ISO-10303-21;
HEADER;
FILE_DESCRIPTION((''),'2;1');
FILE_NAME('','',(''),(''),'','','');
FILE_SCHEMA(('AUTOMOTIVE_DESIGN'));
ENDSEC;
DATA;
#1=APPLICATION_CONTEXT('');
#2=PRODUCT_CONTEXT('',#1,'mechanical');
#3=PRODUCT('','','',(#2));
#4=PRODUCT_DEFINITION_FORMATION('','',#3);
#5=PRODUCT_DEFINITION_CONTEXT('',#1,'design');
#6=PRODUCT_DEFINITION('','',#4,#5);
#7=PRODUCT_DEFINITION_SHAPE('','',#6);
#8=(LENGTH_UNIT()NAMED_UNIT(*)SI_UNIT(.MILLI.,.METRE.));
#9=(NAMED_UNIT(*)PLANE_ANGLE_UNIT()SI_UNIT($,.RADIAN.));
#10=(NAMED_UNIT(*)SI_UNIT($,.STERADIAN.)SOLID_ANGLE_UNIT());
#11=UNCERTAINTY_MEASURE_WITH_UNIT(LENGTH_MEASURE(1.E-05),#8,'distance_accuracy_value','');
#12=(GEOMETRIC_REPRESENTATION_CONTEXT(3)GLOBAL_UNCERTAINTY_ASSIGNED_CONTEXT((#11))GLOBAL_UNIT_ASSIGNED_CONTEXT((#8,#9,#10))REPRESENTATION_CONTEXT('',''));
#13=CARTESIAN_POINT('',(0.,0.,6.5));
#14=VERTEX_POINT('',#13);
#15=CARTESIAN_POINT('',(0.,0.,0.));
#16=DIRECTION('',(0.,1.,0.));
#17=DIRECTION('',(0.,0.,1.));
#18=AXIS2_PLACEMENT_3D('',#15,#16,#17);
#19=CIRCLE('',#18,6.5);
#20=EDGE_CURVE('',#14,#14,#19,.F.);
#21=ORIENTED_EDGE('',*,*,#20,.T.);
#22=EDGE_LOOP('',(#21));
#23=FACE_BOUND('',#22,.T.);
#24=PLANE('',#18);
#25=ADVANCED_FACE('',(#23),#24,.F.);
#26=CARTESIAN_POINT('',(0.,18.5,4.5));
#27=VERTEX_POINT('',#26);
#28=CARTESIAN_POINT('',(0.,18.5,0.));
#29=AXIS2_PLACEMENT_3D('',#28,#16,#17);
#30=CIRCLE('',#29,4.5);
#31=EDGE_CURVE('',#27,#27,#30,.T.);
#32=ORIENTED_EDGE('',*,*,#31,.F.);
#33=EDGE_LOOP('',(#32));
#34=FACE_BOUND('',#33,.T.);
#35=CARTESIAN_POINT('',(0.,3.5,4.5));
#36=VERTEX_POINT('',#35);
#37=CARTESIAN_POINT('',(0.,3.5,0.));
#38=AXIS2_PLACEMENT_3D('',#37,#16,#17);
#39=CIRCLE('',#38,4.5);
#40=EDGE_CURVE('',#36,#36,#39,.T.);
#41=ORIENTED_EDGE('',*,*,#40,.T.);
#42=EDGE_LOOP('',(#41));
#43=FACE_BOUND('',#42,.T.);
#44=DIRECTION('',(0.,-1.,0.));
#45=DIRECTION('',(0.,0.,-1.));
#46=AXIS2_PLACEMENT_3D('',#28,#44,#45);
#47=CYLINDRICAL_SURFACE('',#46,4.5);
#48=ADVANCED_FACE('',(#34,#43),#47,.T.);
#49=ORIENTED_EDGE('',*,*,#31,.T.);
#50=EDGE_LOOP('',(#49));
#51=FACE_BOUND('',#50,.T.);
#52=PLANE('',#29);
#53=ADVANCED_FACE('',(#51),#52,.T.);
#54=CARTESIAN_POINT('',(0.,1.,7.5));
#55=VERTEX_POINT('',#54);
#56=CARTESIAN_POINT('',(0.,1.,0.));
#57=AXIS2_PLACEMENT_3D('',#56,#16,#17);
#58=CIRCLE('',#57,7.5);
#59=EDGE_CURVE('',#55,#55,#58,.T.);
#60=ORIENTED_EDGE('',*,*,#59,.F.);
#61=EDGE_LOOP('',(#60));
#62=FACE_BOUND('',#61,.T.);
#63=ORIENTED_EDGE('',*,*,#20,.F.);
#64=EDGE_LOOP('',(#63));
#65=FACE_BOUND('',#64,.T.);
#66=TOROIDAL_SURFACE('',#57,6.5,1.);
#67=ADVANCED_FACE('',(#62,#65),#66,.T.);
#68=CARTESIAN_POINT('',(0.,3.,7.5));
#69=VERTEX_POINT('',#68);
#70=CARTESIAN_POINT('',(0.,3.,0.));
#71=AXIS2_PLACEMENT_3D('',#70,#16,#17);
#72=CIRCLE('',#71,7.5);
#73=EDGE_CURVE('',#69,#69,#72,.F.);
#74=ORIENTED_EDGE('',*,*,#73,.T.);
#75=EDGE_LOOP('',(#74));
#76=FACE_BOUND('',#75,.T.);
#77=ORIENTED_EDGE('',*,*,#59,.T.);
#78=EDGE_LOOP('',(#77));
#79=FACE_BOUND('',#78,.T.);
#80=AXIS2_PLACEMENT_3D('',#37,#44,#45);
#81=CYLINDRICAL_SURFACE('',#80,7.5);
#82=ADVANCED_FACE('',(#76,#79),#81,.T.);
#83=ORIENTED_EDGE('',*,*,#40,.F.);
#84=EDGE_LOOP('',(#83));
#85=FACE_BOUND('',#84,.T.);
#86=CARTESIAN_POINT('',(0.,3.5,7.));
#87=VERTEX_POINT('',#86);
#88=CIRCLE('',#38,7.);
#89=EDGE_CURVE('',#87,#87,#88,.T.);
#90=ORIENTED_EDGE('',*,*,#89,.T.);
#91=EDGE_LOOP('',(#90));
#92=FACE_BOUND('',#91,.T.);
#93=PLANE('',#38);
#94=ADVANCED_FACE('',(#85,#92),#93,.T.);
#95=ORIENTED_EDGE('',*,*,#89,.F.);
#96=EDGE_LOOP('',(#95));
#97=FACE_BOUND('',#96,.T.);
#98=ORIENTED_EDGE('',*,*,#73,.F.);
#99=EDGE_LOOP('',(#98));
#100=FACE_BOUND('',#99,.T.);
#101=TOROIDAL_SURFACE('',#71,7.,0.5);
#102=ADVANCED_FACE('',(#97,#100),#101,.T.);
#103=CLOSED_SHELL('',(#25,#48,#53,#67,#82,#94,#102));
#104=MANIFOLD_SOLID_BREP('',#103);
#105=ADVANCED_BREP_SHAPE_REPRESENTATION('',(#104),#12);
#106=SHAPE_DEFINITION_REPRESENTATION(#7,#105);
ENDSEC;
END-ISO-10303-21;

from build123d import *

# Parameters (mm, degrees)
SKETCH2_R           = 7.5
BOSS_EXTRUDE1_DEPTH = 3.5
SKETCH3_R           = 4.5
BOSS_EXTRUDE2_DEPTH = 15
FILLET1_R           = 1
FILLET2_R           = 0.5


with BuildPart() as part:
    # Sketch2 → Boss-Extrude1 (new body)
    with BuildSketch(Plane(origin=(0, 0, 0), x_dir=(1, 0, 0), z_dir=(0, 1, 0))):
        Circle(SKETCH2_R)
    extrude(amount=BOSS_EXTRUDE1_DEPTH)

    # Sketch3 → Boss-Extrude2 (add)
    with BuildSketch(Plane(origin=(0, 3.5, 0), x_dir=(1, 0, 0), z_dir=(0, 1, 0))):
        Circle(SKETCH3_R)
    extrude(amount=BOSS_EXTRUDE2_DEPTH)

    # Fillet1
    fillet1_edges = [part.edges().sort_by_distance(p)[0] for p in [
        (-7.5, 0, 0),
    ]]
    fillet(fillet1_edges, radius=FILLET1_R)

    # Fillet2
    fillet2_edges = [part.edges().sort_by_distance(p)[0] for p in [
        (-7.5, 3.5, 0),
    ]]
    fillet(fillet2_edges, radius=FILLET2_R)


solid = part.part
